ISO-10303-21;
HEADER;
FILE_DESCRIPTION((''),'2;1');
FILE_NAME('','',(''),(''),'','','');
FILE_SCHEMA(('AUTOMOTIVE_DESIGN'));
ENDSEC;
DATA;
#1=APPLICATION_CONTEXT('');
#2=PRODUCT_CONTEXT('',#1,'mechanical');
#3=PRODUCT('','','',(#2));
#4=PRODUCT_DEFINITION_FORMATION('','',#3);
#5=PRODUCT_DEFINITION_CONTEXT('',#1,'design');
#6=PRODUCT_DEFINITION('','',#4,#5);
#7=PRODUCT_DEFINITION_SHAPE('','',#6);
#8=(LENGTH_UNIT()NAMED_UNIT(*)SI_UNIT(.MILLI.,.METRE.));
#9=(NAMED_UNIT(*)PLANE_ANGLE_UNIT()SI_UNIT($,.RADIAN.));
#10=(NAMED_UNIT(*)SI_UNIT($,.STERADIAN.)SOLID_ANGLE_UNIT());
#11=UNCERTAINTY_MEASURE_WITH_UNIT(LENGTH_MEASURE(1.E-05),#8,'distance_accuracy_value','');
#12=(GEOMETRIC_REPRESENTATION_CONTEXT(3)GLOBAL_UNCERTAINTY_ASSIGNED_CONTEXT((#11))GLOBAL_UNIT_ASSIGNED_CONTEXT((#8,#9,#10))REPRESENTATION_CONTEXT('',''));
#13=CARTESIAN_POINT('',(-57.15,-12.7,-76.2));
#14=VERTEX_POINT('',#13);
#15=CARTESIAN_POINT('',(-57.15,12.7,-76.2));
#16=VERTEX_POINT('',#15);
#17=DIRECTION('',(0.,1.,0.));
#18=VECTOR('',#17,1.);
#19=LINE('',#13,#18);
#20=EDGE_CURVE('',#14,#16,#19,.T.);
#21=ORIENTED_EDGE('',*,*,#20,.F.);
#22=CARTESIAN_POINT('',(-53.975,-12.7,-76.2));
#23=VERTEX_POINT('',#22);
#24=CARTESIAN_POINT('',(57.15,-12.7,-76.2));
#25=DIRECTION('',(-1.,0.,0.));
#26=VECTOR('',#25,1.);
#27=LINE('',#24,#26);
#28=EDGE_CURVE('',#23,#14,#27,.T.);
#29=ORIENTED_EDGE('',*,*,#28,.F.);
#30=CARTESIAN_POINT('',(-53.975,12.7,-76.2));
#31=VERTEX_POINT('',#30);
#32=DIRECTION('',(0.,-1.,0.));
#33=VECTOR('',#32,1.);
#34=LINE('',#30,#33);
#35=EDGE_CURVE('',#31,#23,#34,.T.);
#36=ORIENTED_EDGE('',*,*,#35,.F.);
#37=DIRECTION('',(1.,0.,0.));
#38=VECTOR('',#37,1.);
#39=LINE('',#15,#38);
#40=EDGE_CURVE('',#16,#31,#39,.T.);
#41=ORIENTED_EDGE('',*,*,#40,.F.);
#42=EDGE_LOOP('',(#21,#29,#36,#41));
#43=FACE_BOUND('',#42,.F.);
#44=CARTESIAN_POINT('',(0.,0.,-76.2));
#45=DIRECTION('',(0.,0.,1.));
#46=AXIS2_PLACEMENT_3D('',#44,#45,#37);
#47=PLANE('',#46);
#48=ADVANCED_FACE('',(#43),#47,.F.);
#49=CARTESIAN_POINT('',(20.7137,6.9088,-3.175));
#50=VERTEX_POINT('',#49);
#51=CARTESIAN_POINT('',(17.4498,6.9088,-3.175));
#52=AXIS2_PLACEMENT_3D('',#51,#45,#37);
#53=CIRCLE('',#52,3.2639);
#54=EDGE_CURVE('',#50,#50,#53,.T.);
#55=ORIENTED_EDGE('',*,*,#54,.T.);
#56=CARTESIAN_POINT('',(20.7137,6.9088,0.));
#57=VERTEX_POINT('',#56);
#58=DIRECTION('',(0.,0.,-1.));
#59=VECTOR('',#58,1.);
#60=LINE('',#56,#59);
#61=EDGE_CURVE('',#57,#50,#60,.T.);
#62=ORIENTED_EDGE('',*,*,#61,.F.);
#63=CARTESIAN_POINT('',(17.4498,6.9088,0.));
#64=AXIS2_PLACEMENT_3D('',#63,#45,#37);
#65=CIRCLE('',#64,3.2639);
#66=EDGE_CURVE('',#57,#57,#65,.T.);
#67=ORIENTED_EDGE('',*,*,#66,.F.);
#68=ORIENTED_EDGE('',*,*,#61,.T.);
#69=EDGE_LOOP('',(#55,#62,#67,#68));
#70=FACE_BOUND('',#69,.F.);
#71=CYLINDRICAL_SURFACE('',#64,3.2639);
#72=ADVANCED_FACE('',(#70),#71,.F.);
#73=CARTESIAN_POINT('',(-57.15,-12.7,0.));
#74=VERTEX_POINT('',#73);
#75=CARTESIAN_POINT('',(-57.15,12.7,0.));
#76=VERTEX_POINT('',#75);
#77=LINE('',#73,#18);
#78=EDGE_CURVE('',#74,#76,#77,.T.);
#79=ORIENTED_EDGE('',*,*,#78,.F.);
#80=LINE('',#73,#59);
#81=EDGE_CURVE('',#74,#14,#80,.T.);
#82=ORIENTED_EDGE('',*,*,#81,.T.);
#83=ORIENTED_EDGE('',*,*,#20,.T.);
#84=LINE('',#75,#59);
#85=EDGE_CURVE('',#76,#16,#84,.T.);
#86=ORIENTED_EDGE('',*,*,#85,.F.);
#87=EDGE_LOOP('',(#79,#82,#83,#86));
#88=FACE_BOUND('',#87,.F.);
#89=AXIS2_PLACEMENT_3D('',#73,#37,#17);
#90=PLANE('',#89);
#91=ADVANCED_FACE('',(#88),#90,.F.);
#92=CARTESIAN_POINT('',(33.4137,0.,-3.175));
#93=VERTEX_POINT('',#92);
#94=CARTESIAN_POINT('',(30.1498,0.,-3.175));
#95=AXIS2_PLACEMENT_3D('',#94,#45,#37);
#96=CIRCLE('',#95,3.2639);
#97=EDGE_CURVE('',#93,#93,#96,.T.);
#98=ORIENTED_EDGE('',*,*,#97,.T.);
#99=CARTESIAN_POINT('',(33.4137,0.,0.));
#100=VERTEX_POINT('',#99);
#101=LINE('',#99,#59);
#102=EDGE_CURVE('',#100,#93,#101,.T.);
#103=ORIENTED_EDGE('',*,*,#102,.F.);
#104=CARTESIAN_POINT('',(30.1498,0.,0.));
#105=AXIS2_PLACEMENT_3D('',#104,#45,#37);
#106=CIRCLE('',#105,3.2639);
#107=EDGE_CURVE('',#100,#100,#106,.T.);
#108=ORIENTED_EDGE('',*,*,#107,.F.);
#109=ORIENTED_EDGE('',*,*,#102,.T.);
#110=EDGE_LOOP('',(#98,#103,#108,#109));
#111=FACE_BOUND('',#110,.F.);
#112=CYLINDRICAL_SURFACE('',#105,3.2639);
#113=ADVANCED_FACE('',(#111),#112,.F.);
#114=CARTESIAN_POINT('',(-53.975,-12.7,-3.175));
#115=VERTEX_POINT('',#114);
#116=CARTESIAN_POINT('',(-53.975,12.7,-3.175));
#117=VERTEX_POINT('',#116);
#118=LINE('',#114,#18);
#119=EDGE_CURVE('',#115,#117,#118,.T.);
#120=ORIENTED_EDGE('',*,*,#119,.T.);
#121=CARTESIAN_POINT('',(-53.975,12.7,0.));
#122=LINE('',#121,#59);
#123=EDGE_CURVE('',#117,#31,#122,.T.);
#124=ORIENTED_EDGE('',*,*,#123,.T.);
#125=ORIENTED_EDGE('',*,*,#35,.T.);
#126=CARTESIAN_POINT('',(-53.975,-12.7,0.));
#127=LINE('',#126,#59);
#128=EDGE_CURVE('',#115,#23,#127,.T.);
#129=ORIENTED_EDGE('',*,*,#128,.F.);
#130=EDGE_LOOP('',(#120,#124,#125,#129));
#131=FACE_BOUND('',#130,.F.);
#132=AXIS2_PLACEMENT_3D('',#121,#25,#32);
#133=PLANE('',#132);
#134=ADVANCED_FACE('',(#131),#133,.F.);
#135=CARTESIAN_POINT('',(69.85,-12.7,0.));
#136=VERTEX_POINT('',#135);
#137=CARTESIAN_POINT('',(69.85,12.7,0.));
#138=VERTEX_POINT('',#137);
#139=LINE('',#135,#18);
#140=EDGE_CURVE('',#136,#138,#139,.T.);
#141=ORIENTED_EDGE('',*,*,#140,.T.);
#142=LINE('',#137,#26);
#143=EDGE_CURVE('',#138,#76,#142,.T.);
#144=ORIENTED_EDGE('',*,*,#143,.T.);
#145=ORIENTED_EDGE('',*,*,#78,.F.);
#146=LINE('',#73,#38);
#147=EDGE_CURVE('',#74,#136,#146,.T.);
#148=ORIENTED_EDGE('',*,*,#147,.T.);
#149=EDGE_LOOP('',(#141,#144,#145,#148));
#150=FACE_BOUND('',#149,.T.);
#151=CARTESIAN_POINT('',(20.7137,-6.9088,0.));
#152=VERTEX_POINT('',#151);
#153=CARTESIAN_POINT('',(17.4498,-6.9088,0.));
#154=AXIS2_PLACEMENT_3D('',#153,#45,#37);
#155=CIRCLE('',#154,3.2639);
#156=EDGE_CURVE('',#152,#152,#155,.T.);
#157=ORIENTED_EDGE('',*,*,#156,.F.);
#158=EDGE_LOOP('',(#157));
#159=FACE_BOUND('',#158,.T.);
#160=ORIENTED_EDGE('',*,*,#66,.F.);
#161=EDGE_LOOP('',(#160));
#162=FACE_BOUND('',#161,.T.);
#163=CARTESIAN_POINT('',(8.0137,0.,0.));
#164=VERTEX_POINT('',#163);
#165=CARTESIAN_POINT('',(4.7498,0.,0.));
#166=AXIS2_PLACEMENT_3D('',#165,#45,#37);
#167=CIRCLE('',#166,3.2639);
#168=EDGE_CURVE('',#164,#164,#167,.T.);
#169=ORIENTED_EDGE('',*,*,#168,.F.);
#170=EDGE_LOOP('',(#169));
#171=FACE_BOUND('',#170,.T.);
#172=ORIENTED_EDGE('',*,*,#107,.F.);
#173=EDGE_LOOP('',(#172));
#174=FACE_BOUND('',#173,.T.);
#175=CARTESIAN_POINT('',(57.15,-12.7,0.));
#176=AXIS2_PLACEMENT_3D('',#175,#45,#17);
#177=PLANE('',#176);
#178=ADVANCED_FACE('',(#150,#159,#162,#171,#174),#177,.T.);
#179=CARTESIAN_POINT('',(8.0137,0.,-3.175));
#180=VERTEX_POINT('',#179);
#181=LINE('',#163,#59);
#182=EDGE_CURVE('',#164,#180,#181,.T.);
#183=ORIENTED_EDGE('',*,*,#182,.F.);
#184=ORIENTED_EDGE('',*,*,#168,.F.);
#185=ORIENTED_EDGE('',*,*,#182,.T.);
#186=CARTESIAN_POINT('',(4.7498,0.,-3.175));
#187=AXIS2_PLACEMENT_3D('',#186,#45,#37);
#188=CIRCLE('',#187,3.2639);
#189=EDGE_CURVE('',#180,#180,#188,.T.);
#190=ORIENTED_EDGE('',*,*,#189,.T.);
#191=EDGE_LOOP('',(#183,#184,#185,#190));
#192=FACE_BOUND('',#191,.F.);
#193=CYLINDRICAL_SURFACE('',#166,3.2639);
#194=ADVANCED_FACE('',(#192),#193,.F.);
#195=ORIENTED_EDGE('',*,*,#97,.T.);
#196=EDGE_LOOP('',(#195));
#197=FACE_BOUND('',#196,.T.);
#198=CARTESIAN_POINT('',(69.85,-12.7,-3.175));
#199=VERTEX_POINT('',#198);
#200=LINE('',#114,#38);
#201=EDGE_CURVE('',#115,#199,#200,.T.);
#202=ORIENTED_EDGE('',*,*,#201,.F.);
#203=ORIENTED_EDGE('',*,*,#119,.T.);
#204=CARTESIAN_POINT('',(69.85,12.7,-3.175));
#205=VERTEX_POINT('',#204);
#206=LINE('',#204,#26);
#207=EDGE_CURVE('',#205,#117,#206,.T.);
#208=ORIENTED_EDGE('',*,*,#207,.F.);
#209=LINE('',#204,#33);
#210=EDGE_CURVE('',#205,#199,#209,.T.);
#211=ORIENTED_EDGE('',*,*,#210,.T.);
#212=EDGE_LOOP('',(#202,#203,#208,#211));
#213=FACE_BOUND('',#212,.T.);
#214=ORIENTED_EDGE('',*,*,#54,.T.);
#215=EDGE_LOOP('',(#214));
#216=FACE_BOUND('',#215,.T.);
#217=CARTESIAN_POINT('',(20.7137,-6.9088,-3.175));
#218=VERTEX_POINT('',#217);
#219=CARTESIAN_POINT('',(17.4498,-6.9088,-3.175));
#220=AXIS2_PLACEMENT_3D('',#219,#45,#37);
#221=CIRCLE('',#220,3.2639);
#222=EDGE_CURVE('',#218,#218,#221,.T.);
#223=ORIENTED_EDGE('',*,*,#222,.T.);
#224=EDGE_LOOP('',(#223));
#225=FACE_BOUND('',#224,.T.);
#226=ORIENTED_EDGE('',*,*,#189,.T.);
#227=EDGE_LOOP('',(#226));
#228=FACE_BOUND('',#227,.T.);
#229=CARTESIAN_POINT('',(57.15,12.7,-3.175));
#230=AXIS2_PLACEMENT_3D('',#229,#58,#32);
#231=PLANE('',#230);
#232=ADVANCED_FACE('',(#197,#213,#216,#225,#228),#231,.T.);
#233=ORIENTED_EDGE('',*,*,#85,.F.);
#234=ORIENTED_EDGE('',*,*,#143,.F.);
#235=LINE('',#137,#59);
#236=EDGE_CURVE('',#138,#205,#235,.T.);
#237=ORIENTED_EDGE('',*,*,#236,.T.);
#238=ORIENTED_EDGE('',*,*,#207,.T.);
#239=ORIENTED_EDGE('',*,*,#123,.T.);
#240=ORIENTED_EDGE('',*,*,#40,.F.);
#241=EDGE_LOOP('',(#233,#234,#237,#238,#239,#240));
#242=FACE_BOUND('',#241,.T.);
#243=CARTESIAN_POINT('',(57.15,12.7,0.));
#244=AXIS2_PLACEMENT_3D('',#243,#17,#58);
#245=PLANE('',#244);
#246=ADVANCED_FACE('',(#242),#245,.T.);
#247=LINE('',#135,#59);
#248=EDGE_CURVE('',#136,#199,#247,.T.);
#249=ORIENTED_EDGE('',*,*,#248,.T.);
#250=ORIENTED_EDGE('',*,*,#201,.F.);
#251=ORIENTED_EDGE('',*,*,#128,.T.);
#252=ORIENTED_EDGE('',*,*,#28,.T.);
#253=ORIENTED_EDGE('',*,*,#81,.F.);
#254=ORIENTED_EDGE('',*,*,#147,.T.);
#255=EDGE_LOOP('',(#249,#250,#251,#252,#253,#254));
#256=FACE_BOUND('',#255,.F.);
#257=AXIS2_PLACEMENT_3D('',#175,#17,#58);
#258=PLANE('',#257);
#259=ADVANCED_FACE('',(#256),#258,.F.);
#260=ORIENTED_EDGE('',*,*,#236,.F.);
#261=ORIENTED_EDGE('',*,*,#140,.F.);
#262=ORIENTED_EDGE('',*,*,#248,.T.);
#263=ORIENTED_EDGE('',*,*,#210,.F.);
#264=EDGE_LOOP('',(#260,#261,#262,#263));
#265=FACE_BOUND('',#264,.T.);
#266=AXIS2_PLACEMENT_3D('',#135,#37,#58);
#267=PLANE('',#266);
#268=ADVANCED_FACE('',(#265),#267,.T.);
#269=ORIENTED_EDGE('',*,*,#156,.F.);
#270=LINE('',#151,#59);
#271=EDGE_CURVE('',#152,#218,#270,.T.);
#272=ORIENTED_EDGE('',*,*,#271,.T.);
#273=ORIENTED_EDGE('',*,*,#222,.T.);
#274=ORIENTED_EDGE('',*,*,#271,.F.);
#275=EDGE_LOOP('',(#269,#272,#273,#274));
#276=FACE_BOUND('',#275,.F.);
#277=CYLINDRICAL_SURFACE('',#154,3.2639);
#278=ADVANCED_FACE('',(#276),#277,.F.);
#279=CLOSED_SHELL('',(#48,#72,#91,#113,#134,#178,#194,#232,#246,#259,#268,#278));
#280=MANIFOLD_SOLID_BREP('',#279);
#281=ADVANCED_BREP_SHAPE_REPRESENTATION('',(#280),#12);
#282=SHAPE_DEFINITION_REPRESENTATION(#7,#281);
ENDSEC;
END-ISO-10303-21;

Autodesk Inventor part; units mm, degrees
ref_plane "YZ Plane" through (0, 0, 0) normal (1, 0, 0) x (0, 1, 0)
ref_plane "XZ Plane" through (0, 0, 0) normal (0, 1, 0) x (-1, 0, 0)
ref_plane "XY Plane" through (0, 0, 0) normal (0, 0, 1) x (1, 0, 0)
sketch "Sketch1" plane through (0, 0, 0) normal (0, 0, 1) x (1, 0, 0)
  line L0 (57.15, 12.7) -> (-57.15, 12.7)
  line L1 (-57.15, 12.7) -> (-57.15, -12.7)
  line L2 (-57.15, -12.7) -> (57.15, -12.7)
  line L3 (57.15, -12.7) -> (57.15, 12.7)
  point P0 (0, 0)
  dimension "d0" = 114.3
  dimension "d1" = 25.4
extrude "Extrusion1" add sketch "Sketch1" against normal blind 3.175
sketch "Sketch2" plane through (-57.15, -12.7, 0) normal (-1, 0, 0) x (0, 0, 1)
  line L0 (0, 25.4) -> (0, 0) projected
  line L1 (0, 25.4) -> (-3.175, 25.4) projected
  line L2 (-3.175, 0) -> (-3.175, 25.4) projected
  line L3 (0, 0) -> (-3.175, 0) projected
  point P0 (0, 12.7)
sketch "Sketch3" plane through (0, 0, 0) normal (0, 0, 1) x (1, 0, 0)
  line L0 (57.15, -12.7) -> (-57.15, -12.7) projected
  line L1 (-57.15, 12.7) -> (-53.975, 12.7)
  line L2 (-53.975, 12.7) -> (-53.975, -12.7)
  line L3 (-53.975, -12.7) -> (-57.15, -12.7)
  line L4 (-57.15, -12.7) -> (-57.15, 12.7)
  point P0 (0, 0)
  dimension "d4" = 3.175
extrude "Extrusion2" cut sketch "Sketch2" against normal blind 3.175
extrude "Extrusion3" add sketch "Sketch3" against normal blind 76.2
sketch "Sketch4" plane through (0, 0, 0) normal (0, 0, 1) x (1, 0, 0)
  point P0 (0, 0)
sketch "Sketch5" plane through (0, 0, 0) normal (0, 0, 1) x (1, 0, 0)
  point P0 (0, 0)
sketch "Sketch6" plane through (57.15, -12.7, 0) normal (1, 0, 0) x (0, 0, -1)
  line L0 (0, 0) -> (0, 25.4) projected
  line L1 (0, 0) -> (3.175, 0) projected
  line L2 (3.175, 25.4) -> (3.175, 0) projected
  line L3 (0, 25.4) -> (3.175, 25.4) projected
  point P0 (0, 12.7)
extrude "Extrusion4" add sketch "Sketch6" along normal blind 12.7
sketch "Sketch7" plane through (0, 0, 0) normal (0, 0, 1) x (1, 0, 0)
  point P0 (0, 0)
sketch "Sketch8" plane through (0, 0, 0) normal (0, 0, 1) x (1, 0, 0)
  circle A0 centre (4.7498, 0) radius 3.2639
  point P0 (0, 0)
  dimension "d11" = 6.5278
extrude "Extrusion5" cut sketch "Sketch8" against normal blind 3.175
sketch "Sketch9" plane through (0, 0, 0) normal (0, 0, 1) x (1, 0, 0)
  circle A0 centre (30.1498, 0) radius 3.2639
  point P0 (0, 0)
  dimension "d14" = 6.5278
extrude "Extrusion6" cut sketch "Sketch9" against normal blind 3.175
sketch "Sketch10" plane through (0, 0, 0) normal (0, 0, 1) x (1, 0, 0)
  circle A0 centre (17.4498, 6.9088) radius 3.2639
  circle A1 centre (17.4498, -6.9088) radius 3.2639
  point P0 (0, 0)
  dimension "d17" = 6.5278
  dimension "d18" = 6.5278
extrude "Extrusion7" cut sketch "Sketch10" against normal blind 3.175
properties part number "lBracketForLiftingBar"
